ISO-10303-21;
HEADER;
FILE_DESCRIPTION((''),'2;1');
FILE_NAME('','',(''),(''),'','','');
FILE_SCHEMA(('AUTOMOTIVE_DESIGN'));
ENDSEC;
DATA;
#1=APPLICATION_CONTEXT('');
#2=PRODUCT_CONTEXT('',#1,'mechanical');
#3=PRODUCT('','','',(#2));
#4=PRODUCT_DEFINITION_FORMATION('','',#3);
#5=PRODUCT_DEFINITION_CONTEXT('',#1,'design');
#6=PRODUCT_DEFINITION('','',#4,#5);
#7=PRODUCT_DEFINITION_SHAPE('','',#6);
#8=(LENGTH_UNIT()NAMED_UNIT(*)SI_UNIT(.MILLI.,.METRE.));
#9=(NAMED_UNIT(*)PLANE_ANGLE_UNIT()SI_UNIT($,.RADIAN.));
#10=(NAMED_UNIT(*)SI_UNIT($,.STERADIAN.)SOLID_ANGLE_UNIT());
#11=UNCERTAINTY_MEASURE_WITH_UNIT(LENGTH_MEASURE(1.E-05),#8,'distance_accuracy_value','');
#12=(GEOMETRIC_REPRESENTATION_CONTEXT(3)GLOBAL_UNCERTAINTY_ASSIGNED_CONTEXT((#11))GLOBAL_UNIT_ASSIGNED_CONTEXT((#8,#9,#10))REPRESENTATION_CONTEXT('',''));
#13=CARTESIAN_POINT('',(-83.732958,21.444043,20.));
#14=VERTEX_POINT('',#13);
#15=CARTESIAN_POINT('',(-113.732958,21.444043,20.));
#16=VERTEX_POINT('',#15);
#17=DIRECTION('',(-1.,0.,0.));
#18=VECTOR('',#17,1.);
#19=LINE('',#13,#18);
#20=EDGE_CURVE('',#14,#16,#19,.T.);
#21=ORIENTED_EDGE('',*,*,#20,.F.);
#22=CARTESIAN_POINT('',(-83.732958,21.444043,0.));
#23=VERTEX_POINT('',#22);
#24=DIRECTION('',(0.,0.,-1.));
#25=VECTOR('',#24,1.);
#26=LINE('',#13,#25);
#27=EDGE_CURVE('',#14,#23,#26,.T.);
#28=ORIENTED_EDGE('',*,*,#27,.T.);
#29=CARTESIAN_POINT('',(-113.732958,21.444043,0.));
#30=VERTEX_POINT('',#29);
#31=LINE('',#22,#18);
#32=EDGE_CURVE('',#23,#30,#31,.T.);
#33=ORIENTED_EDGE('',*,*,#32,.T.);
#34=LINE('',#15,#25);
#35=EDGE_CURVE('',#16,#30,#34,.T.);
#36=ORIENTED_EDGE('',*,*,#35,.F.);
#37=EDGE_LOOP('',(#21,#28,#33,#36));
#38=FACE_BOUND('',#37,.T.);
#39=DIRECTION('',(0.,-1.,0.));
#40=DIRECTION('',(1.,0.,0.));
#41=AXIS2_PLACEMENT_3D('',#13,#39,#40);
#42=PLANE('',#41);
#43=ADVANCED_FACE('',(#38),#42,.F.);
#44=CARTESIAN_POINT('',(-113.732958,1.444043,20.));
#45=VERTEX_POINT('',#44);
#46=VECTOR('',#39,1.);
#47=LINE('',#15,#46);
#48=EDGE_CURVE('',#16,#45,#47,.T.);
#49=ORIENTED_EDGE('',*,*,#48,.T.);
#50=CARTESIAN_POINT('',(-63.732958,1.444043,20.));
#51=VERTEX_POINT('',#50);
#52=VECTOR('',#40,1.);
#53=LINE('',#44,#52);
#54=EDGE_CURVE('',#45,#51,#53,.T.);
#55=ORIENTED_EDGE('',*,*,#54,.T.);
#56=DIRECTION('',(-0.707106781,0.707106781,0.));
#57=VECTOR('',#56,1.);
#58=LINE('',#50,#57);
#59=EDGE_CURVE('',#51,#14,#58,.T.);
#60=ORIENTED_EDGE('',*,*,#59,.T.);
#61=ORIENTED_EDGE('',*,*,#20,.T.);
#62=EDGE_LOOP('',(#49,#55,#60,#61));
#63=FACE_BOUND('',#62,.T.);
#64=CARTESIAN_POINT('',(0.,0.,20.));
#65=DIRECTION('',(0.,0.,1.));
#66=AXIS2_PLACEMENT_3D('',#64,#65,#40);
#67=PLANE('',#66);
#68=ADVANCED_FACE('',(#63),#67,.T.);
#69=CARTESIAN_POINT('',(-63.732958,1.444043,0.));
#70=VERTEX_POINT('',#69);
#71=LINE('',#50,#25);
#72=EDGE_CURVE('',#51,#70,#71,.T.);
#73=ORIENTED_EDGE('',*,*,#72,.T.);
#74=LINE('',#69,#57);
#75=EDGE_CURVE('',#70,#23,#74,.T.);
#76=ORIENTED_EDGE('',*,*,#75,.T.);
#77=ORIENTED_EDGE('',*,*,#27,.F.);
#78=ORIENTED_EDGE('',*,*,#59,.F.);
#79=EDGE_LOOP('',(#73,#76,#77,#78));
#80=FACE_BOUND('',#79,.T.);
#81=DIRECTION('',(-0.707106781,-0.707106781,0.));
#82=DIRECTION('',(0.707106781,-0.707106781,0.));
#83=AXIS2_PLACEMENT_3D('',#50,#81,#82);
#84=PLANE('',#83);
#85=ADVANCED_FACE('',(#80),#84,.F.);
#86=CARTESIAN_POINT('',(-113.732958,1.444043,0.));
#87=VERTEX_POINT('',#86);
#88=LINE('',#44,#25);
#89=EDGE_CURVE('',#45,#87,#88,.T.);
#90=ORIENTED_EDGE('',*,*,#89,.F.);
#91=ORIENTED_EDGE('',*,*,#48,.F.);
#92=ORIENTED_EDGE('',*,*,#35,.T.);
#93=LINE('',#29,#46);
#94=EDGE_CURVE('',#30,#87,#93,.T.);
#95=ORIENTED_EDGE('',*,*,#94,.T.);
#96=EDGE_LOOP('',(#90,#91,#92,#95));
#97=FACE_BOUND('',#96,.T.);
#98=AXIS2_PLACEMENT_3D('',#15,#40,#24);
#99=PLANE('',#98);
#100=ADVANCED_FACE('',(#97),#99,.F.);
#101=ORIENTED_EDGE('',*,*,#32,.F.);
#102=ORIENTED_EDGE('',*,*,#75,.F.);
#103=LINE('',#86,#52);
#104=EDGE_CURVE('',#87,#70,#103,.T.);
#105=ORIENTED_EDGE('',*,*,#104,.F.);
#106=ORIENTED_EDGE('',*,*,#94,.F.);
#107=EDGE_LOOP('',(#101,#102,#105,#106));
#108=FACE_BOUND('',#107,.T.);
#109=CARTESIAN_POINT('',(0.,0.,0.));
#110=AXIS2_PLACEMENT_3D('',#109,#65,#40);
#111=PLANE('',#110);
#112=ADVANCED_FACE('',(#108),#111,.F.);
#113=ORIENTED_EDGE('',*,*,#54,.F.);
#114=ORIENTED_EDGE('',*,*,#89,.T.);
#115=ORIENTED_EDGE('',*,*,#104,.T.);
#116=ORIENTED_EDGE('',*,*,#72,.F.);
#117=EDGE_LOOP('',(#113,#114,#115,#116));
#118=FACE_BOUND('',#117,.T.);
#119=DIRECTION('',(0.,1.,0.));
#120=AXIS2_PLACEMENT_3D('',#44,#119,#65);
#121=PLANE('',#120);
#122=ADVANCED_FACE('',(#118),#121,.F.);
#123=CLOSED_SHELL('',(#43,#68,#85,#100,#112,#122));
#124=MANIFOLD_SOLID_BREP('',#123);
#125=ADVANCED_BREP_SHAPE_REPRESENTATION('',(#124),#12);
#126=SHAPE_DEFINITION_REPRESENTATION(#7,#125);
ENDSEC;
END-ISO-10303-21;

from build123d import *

# Parameters (mm, degrees)
BOSS_EXTRUDE3_DEPTH = 20


with BuildPart() as part:
    # Sketch2 → Boss-Extrude3 (new body)
    with BuildSketch(Plane.XY):
        Polygon((-113.732958232, 21.444043321), (-113.732958232, 1.444043321), (-63.732958232, 1.444043321), (-83.732958232, 21.444043321), align=None)
    extrude(amount=BOSS_EXTRUDE3_DEPTH)


solid = part.part
